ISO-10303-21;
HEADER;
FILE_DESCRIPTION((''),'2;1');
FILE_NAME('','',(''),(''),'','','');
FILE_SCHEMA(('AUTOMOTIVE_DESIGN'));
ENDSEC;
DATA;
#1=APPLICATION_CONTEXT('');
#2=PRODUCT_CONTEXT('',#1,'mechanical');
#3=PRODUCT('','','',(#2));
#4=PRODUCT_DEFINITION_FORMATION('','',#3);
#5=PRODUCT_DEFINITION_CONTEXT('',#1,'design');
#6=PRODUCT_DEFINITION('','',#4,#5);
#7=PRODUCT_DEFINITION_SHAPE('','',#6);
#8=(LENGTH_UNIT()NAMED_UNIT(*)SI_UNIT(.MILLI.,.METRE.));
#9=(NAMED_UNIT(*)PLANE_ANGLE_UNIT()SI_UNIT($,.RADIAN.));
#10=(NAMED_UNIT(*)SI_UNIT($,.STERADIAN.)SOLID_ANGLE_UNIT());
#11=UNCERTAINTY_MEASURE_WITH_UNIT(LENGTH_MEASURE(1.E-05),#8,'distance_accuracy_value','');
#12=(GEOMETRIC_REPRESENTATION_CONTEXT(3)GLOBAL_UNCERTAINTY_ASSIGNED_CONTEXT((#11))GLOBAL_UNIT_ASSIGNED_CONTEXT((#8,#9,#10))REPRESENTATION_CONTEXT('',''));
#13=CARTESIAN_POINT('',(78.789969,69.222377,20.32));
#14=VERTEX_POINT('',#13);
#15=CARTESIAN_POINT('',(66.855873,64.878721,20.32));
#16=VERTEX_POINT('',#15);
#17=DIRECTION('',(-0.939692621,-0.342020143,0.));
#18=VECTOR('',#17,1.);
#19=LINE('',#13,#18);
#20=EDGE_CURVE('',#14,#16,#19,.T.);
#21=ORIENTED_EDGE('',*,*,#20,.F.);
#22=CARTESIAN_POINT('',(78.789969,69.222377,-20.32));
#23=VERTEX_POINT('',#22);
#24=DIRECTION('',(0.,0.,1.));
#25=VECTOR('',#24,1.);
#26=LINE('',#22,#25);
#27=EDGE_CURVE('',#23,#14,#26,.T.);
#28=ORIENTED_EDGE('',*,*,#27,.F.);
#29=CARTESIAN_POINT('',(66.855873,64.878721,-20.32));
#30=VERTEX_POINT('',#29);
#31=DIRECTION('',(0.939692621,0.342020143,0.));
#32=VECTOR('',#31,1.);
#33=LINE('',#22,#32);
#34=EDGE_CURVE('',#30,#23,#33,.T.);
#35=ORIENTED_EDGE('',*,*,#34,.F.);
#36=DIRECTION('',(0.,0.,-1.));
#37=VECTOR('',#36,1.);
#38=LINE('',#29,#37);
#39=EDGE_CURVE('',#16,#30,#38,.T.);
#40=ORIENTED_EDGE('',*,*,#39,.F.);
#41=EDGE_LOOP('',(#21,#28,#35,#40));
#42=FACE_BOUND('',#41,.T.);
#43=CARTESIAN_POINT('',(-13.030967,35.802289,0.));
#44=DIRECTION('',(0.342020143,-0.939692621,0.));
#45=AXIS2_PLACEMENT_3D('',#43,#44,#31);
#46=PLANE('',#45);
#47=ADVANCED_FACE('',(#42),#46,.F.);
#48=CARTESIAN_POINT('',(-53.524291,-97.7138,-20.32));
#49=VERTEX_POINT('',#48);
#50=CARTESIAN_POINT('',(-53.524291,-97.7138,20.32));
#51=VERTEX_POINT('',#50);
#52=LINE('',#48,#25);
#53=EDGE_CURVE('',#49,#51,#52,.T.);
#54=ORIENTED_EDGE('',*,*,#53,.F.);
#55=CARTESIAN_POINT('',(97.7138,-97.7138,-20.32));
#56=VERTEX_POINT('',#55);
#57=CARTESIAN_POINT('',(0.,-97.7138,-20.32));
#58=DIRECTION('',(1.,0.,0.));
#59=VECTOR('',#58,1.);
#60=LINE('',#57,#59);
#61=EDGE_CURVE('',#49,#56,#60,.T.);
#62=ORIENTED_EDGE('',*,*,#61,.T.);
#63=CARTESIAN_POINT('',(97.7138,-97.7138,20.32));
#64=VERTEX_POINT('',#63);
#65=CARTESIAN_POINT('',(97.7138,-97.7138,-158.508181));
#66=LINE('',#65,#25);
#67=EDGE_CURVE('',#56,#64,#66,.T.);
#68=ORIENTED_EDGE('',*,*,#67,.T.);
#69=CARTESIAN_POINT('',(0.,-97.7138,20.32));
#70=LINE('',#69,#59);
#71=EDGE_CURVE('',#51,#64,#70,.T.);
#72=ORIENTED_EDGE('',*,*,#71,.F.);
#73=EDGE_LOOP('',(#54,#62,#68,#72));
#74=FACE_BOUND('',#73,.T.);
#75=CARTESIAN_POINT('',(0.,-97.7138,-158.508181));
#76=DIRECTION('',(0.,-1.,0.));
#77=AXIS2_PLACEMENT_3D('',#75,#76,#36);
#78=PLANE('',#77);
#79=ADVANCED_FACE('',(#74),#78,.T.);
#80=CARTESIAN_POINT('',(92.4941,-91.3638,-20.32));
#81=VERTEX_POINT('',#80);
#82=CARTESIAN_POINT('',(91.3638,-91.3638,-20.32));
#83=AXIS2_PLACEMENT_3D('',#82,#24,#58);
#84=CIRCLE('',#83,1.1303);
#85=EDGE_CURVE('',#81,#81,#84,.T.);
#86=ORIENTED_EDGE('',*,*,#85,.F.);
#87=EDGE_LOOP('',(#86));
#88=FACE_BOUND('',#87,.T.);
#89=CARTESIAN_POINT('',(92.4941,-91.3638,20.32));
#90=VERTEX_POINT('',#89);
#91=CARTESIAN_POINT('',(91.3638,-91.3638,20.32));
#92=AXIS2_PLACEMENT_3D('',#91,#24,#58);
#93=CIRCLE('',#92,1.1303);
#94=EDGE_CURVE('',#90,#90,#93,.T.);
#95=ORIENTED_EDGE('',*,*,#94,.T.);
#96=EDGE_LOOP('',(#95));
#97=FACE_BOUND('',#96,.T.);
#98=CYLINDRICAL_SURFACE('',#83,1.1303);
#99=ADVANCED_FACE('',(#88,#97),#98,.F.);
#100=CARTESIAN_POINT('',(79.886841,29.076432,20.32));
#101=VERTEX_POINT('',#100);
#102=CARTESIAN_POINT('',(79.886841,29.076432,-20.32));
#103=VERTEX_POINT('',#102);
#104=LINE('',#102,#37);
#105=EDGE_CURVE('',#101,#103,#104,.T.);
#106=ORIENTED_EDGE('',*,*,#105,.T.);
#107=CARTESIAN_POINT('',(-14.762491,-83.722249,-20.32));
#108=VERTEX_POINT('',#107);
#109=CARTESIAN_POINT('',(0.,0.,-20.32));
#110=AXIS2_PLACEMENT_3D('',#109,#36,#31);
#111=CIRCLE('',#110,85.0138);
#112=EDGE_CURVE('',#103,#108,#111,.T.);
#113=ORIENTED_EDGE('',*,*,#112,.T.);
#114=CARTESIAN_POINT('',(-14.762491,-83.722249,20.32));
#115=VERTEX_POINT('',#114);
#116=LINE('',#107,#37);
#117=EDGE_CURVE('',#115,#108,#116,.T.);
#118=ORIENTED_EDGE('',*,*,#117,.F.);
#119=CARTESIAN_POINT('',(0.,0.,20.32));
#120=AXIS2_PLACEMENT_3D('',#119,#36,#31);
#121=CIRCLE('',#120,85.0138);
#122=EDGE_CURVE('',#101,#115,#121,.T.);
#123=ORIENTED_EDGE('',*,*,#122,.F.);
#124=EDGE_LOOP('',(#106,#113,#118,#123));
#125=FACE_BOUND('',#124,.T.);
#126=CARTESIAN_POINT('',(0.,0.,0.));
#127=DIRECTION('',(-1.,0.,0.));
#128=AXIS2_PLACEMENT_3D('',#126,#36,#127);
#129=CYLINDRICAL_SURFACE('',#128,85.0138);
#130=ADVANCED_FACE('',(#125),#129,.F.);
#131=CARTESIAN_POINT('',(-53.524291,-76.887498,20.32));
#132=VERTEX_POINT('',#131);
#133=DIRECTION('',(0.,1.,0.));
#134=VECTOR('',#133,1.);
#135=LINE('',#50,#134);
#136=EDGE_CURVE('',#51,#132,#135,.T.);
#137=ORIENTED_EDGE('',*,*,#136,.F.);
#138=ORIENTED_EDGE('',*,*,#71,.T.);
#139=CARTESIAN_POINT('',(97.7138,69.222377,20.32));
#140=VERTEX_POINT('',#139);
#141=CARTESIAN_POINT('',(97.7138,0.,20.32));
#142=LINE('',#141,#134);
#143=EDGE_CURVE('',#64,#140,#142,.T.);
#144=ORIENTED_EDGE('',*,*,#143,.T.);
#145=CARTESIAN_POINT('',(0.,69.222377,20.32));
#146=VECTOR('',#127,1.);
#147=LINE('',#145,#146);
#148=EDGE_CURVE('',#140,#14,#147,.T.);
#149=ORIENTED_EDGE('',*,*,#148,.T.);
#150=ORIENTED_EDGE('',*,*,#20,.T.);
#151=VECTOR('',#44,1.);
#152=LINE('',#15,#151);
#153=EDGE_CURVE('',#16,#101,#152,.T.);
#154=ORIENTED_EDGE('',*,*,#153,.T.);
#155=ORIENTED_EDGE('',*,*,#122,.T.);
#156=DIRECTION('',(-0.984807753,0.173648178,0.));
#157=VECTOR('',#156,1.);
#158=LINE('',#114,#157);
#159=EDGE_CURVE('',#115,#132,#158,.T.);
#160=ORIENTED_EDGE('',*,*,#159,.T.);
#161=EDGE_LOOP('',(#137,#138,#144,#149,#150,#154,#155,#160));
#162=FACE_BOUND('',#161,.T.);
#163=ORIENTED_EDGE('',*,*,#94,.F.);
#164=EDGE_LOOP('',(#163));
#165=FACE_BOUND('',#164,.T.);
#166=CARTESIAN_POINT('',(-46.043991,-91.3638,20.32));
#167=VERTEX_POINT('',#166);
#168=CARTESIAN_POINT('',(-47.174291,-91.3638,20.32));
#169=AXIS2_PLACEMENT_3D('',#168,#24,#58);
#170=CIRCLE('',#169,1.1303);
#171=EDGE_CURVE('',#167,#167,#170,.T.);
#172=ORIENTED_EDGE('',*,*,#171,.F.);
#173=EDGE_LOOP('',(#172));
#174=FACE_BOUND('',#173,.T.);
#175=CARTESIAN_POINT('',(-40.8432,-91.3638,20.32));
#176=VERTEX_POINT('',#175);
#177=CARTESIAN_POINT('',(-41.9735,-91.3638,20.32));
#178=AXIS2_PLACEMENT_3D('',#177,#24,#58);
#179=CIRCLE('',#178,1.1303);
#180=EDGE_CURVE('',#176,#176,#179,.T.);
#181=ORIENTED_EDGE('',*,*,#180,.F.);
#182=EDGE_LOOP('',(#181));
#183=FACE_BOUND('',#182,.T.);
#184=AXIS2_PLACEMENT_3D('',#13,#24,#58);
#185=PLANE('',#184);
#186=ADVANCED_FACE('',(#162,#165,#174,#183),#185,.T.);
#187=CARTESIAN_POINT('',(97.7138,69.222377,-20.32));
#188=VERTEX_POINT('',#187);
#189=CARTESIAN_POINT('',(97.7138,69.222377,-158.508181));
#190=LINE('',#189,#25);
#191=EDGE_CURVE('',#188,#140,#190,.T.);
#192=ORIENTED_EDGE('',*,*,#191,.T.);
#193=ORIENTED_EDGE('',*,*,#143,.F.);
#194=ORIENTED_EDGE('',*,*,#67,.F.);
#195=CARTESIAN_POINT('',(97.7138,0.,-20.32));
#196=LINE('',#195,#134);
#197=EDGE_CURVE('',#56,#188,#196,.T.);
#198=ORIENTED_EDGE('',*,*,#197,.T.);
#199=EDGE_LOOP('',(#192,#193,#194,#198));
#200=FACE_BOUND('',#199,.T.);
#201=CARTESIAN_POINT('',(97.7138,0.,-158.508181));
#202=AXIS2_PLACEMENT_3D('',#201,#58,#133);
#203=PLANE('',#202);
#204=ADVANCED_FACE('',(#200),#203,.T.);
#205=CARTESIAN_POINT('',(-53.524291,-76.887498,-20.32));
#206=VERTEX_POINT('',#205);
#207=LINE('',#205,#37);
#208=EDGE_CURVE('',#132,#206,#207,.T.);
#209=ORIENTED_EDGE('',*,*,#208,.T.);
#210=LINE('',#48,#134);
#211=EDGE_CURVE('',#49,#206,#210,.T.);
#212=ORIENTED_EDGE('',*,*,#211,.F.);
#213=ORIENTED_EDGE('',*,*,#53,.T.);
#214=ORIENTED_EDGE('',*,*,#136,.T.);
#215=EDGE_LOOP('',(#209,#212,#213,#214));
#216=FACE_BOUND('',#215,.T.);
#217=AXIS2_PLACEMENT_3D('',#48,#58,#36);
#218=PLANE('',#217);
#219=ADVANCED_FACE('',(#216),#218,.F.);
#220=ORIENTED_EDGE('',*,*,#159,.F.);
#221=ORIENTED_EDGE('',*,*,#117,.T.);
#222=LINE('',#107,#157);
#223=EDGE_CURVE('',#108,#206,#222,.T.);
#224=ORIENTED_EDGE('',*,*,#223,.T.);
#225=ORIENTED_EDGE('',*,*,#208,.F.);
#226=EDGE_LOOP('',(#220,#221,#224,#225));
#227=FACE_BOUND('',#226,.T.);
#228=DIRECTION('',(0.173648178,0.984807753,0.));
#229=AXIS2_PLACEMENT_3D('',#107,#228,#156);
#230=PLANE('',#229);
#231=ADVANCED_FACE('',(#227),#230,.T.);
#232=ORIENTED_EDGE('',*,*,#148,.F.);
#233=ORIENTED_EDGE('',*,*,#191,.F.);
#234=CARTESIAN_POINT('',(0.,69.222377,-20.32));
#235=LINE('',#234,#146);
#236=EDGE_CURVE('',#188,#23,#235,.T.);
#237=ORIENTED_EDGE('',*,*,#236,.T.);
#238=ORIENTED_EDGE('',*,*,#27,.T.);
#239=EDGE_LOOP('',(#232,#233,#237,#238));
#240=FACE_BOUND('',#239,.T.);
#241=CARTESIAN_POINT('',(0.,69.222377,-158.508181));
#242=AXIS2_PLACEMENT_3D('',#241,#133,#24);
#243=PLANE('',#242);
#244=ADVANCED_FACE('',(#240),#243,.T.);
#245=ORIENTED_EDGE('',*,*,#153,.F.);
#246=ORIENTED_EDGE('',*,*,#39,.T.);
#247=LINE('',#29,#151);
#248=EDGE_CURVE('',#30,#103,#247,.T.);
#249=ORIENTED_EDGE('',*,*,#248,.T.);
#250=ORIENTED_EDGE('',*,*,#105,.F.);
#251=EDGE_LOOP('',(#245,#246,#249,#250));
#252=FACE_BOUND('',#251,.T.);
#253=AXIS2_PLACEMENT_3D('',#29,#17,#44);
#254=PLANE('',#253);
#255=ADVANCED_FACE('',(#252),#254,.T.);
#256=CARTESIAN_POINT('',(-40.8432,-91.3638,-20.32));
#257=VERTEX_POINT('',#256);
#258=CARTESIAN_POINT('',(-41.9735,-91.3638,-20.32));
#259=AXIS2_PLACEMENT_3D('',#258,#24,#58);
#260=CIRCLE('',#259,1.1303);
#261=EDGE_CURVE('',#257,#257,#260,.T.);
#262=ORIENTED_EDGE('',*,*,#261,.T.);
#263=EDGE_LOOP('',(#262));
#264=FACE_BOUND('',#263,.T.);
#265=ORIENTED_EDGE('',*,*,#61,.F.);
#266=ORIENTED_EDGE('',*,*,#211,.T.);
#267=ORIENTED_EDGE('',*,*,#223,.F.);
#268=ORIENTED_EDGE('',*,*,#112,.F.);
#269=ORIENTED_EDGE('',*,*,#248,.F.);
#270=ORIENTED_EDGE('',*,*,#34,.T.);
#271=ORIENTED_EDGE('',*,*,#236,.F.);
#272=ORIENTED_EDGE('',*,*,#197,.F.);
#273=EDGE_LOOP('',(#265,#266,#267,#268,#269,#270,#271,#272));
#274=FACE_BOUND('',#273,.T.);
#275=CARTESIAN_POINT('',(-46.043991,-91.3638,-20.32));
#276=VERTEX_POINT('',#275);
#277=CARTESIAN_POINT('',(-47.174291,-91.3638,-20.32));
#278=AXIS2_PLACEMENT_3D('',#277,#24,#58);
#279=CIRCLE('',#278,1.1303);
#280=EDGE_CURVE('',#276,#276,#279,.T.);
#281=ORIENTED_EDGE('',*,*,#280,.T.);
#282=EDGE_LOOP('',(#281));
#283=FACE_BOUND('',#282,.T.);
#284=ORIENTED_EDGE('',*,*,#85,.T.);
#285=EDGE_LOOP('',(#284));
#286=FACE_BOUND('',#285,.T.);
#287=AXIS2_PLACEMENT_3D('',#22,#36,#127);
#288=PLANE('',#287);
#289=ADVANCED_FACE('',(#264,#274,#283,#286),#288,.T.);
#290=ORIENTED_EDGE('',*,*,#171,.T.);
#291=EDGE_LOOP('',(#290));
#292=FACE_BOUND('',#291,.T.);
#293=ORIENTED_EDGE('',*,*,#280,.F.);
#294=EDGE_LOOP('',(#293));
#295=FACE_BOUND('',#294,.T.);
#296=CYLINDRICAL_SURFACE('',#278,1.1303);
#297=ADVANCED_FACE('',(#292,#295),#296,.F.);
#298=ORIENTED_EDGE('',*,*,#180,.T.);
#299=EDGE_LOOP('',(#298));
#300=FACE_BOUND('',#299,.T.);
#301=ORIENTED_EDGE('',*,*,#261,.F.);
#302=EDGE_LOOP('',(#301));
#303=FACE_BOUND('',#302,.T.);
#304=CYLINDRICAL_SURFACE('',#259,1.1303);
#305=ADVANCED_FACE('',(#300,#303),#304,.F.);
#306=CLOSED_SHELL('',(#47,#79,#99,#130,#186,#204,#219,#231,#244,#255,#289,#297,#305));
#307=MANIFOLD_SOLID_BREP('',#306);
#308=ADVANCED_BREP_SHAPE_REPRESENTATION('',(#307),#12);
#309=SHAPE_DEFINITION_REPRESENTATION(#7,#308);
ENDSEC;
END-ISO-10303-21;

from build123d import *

# Parameters (mm, degrees)
BOSS_EXTRUDE1_DEPTH = 40.64
SKETCH6_R           = 1.1303
CUT_EXTRUDE1_DEPTH  = 158.779215984
SKETCH7_W           = 73.663303239
SKETCH7_H           = 73.66330324
CUT_EXTRUDE2_DEPTH  = 158.779215984
SKETCH8_R           = 1.1303
CUT_EXTRUDE3_DEPTH  = 145.040213208


with BuildPart() as part:
    # Sweep3: sweep along a path in Sketch2
    with BuildLine(Plane.XY) as sweep3_path:
        Line((-111.378641457, -46.568583299), (-11.322173751, -64.21123815))
        ThreePointArc((-11.322173751, -64.21123815), (49.947476571, -41.910909169), (61.269650322, 22.300328981))
        Line((61.269650322, 22.300328981), (48.238682861, 58.102617833))
    # 3DSketch1 → Sweep3 (sweep)
    with BuildSketch(Plane(origin=(-117.024291009, -78.586652965, -20.32), x_dir=(0.051794909001673446, 0.2937435257699459, 0.9544799780350292), z_dir=(0.984807753012208, -0.17364817766693055, 0))):
        Polygon((0, 0), (3.788092413, -12.121895721), (42.57815872, 0), (38.790066307, 12.121895721), align=None)
    sweep(path=sweep3_path.line)

    # Sketch5 → Boss-Extrude1 (add)
    with BuildSketch(Plane.XY.offset(20.32)):
        with BuildLine():
            Line((-16.967823303, -96.229307816), (-117.024291009, -78.586652965))
            Line((-117.024291009, -78.586652965), (-117.024291009, -97.7138))
            Line((-117.024291009, -97.7138), (-2e-08, -97.7138))
            ThreePointArc((-2e-08, -97.7138), (-8.516318826, -97.34196949), (-16.967823303, -96.229307816))
        make_face()
        with BuildLine():
            ThreePointArc((97.7138, 6e-08), (69.09409061, -69.094090581), (-2e-08, -97.7138))
            Line((-2e-08, -97.7138), (97.7138, -97.7138))
            Line((97.7138, -97.7138), (97.7138, 6e-08))
        make_face()
        with BuildLine():
            ThreePointArc((91.820936809, 33.420087881), (96.229307811, 16.967823332), (97.7138, 6e-08))
            Line((97.7138, 6e-08), (97.7138, 69.222376733))
            Line((97.7138, 69.222376733), (78.789969348, 69.222376733))
            Line((78.789969348, 69.222376733), (91.820936809, 33.420087881))
        make_face()
    extrude(amount=-BOSS_EXTRUDE1_DEPTH)

    # Sketch6 → Cut-Extrude1 (cut, through all)
    with BuildSketch(Plane.XY.offset(20.32)):
        with Locations((91.3638, -91.3638)):
            Circle(SKETCH6_R)
        with Locations((-41.9735, -91.3638)):
            Circle(SKETCH6_R)
    extrude(amount=-CUT_EXTRUDE1_DEPTH, mode=Mode.SUBTRACT)

    # Sketch7 → Cut-Extrude2 (cut, through all)
    with BuildSketch(Plane.XY.offset(20.32)):
        with Locations((-90.355942629, -60.88214838)):
            Rectangle(SKETCH7_W, SKETCH7_H)
    extrude(amount=-CUT_EXTRUDE2_DEPTH, mode=Mode.SUBTRACT)

    # Sketch8 → Cut-Extrude3 (cut, through all)
    with BuildSketch(Plane.XY.offset(20.32)):
        with Locations((-47.174291009, -91.3638)):
            Circle(SKETCH8_R)
    extrude(amount=-CUT_EXTRUDE3_DEPTH, mode=Mode.SUBTRACT)


solid = part.part
